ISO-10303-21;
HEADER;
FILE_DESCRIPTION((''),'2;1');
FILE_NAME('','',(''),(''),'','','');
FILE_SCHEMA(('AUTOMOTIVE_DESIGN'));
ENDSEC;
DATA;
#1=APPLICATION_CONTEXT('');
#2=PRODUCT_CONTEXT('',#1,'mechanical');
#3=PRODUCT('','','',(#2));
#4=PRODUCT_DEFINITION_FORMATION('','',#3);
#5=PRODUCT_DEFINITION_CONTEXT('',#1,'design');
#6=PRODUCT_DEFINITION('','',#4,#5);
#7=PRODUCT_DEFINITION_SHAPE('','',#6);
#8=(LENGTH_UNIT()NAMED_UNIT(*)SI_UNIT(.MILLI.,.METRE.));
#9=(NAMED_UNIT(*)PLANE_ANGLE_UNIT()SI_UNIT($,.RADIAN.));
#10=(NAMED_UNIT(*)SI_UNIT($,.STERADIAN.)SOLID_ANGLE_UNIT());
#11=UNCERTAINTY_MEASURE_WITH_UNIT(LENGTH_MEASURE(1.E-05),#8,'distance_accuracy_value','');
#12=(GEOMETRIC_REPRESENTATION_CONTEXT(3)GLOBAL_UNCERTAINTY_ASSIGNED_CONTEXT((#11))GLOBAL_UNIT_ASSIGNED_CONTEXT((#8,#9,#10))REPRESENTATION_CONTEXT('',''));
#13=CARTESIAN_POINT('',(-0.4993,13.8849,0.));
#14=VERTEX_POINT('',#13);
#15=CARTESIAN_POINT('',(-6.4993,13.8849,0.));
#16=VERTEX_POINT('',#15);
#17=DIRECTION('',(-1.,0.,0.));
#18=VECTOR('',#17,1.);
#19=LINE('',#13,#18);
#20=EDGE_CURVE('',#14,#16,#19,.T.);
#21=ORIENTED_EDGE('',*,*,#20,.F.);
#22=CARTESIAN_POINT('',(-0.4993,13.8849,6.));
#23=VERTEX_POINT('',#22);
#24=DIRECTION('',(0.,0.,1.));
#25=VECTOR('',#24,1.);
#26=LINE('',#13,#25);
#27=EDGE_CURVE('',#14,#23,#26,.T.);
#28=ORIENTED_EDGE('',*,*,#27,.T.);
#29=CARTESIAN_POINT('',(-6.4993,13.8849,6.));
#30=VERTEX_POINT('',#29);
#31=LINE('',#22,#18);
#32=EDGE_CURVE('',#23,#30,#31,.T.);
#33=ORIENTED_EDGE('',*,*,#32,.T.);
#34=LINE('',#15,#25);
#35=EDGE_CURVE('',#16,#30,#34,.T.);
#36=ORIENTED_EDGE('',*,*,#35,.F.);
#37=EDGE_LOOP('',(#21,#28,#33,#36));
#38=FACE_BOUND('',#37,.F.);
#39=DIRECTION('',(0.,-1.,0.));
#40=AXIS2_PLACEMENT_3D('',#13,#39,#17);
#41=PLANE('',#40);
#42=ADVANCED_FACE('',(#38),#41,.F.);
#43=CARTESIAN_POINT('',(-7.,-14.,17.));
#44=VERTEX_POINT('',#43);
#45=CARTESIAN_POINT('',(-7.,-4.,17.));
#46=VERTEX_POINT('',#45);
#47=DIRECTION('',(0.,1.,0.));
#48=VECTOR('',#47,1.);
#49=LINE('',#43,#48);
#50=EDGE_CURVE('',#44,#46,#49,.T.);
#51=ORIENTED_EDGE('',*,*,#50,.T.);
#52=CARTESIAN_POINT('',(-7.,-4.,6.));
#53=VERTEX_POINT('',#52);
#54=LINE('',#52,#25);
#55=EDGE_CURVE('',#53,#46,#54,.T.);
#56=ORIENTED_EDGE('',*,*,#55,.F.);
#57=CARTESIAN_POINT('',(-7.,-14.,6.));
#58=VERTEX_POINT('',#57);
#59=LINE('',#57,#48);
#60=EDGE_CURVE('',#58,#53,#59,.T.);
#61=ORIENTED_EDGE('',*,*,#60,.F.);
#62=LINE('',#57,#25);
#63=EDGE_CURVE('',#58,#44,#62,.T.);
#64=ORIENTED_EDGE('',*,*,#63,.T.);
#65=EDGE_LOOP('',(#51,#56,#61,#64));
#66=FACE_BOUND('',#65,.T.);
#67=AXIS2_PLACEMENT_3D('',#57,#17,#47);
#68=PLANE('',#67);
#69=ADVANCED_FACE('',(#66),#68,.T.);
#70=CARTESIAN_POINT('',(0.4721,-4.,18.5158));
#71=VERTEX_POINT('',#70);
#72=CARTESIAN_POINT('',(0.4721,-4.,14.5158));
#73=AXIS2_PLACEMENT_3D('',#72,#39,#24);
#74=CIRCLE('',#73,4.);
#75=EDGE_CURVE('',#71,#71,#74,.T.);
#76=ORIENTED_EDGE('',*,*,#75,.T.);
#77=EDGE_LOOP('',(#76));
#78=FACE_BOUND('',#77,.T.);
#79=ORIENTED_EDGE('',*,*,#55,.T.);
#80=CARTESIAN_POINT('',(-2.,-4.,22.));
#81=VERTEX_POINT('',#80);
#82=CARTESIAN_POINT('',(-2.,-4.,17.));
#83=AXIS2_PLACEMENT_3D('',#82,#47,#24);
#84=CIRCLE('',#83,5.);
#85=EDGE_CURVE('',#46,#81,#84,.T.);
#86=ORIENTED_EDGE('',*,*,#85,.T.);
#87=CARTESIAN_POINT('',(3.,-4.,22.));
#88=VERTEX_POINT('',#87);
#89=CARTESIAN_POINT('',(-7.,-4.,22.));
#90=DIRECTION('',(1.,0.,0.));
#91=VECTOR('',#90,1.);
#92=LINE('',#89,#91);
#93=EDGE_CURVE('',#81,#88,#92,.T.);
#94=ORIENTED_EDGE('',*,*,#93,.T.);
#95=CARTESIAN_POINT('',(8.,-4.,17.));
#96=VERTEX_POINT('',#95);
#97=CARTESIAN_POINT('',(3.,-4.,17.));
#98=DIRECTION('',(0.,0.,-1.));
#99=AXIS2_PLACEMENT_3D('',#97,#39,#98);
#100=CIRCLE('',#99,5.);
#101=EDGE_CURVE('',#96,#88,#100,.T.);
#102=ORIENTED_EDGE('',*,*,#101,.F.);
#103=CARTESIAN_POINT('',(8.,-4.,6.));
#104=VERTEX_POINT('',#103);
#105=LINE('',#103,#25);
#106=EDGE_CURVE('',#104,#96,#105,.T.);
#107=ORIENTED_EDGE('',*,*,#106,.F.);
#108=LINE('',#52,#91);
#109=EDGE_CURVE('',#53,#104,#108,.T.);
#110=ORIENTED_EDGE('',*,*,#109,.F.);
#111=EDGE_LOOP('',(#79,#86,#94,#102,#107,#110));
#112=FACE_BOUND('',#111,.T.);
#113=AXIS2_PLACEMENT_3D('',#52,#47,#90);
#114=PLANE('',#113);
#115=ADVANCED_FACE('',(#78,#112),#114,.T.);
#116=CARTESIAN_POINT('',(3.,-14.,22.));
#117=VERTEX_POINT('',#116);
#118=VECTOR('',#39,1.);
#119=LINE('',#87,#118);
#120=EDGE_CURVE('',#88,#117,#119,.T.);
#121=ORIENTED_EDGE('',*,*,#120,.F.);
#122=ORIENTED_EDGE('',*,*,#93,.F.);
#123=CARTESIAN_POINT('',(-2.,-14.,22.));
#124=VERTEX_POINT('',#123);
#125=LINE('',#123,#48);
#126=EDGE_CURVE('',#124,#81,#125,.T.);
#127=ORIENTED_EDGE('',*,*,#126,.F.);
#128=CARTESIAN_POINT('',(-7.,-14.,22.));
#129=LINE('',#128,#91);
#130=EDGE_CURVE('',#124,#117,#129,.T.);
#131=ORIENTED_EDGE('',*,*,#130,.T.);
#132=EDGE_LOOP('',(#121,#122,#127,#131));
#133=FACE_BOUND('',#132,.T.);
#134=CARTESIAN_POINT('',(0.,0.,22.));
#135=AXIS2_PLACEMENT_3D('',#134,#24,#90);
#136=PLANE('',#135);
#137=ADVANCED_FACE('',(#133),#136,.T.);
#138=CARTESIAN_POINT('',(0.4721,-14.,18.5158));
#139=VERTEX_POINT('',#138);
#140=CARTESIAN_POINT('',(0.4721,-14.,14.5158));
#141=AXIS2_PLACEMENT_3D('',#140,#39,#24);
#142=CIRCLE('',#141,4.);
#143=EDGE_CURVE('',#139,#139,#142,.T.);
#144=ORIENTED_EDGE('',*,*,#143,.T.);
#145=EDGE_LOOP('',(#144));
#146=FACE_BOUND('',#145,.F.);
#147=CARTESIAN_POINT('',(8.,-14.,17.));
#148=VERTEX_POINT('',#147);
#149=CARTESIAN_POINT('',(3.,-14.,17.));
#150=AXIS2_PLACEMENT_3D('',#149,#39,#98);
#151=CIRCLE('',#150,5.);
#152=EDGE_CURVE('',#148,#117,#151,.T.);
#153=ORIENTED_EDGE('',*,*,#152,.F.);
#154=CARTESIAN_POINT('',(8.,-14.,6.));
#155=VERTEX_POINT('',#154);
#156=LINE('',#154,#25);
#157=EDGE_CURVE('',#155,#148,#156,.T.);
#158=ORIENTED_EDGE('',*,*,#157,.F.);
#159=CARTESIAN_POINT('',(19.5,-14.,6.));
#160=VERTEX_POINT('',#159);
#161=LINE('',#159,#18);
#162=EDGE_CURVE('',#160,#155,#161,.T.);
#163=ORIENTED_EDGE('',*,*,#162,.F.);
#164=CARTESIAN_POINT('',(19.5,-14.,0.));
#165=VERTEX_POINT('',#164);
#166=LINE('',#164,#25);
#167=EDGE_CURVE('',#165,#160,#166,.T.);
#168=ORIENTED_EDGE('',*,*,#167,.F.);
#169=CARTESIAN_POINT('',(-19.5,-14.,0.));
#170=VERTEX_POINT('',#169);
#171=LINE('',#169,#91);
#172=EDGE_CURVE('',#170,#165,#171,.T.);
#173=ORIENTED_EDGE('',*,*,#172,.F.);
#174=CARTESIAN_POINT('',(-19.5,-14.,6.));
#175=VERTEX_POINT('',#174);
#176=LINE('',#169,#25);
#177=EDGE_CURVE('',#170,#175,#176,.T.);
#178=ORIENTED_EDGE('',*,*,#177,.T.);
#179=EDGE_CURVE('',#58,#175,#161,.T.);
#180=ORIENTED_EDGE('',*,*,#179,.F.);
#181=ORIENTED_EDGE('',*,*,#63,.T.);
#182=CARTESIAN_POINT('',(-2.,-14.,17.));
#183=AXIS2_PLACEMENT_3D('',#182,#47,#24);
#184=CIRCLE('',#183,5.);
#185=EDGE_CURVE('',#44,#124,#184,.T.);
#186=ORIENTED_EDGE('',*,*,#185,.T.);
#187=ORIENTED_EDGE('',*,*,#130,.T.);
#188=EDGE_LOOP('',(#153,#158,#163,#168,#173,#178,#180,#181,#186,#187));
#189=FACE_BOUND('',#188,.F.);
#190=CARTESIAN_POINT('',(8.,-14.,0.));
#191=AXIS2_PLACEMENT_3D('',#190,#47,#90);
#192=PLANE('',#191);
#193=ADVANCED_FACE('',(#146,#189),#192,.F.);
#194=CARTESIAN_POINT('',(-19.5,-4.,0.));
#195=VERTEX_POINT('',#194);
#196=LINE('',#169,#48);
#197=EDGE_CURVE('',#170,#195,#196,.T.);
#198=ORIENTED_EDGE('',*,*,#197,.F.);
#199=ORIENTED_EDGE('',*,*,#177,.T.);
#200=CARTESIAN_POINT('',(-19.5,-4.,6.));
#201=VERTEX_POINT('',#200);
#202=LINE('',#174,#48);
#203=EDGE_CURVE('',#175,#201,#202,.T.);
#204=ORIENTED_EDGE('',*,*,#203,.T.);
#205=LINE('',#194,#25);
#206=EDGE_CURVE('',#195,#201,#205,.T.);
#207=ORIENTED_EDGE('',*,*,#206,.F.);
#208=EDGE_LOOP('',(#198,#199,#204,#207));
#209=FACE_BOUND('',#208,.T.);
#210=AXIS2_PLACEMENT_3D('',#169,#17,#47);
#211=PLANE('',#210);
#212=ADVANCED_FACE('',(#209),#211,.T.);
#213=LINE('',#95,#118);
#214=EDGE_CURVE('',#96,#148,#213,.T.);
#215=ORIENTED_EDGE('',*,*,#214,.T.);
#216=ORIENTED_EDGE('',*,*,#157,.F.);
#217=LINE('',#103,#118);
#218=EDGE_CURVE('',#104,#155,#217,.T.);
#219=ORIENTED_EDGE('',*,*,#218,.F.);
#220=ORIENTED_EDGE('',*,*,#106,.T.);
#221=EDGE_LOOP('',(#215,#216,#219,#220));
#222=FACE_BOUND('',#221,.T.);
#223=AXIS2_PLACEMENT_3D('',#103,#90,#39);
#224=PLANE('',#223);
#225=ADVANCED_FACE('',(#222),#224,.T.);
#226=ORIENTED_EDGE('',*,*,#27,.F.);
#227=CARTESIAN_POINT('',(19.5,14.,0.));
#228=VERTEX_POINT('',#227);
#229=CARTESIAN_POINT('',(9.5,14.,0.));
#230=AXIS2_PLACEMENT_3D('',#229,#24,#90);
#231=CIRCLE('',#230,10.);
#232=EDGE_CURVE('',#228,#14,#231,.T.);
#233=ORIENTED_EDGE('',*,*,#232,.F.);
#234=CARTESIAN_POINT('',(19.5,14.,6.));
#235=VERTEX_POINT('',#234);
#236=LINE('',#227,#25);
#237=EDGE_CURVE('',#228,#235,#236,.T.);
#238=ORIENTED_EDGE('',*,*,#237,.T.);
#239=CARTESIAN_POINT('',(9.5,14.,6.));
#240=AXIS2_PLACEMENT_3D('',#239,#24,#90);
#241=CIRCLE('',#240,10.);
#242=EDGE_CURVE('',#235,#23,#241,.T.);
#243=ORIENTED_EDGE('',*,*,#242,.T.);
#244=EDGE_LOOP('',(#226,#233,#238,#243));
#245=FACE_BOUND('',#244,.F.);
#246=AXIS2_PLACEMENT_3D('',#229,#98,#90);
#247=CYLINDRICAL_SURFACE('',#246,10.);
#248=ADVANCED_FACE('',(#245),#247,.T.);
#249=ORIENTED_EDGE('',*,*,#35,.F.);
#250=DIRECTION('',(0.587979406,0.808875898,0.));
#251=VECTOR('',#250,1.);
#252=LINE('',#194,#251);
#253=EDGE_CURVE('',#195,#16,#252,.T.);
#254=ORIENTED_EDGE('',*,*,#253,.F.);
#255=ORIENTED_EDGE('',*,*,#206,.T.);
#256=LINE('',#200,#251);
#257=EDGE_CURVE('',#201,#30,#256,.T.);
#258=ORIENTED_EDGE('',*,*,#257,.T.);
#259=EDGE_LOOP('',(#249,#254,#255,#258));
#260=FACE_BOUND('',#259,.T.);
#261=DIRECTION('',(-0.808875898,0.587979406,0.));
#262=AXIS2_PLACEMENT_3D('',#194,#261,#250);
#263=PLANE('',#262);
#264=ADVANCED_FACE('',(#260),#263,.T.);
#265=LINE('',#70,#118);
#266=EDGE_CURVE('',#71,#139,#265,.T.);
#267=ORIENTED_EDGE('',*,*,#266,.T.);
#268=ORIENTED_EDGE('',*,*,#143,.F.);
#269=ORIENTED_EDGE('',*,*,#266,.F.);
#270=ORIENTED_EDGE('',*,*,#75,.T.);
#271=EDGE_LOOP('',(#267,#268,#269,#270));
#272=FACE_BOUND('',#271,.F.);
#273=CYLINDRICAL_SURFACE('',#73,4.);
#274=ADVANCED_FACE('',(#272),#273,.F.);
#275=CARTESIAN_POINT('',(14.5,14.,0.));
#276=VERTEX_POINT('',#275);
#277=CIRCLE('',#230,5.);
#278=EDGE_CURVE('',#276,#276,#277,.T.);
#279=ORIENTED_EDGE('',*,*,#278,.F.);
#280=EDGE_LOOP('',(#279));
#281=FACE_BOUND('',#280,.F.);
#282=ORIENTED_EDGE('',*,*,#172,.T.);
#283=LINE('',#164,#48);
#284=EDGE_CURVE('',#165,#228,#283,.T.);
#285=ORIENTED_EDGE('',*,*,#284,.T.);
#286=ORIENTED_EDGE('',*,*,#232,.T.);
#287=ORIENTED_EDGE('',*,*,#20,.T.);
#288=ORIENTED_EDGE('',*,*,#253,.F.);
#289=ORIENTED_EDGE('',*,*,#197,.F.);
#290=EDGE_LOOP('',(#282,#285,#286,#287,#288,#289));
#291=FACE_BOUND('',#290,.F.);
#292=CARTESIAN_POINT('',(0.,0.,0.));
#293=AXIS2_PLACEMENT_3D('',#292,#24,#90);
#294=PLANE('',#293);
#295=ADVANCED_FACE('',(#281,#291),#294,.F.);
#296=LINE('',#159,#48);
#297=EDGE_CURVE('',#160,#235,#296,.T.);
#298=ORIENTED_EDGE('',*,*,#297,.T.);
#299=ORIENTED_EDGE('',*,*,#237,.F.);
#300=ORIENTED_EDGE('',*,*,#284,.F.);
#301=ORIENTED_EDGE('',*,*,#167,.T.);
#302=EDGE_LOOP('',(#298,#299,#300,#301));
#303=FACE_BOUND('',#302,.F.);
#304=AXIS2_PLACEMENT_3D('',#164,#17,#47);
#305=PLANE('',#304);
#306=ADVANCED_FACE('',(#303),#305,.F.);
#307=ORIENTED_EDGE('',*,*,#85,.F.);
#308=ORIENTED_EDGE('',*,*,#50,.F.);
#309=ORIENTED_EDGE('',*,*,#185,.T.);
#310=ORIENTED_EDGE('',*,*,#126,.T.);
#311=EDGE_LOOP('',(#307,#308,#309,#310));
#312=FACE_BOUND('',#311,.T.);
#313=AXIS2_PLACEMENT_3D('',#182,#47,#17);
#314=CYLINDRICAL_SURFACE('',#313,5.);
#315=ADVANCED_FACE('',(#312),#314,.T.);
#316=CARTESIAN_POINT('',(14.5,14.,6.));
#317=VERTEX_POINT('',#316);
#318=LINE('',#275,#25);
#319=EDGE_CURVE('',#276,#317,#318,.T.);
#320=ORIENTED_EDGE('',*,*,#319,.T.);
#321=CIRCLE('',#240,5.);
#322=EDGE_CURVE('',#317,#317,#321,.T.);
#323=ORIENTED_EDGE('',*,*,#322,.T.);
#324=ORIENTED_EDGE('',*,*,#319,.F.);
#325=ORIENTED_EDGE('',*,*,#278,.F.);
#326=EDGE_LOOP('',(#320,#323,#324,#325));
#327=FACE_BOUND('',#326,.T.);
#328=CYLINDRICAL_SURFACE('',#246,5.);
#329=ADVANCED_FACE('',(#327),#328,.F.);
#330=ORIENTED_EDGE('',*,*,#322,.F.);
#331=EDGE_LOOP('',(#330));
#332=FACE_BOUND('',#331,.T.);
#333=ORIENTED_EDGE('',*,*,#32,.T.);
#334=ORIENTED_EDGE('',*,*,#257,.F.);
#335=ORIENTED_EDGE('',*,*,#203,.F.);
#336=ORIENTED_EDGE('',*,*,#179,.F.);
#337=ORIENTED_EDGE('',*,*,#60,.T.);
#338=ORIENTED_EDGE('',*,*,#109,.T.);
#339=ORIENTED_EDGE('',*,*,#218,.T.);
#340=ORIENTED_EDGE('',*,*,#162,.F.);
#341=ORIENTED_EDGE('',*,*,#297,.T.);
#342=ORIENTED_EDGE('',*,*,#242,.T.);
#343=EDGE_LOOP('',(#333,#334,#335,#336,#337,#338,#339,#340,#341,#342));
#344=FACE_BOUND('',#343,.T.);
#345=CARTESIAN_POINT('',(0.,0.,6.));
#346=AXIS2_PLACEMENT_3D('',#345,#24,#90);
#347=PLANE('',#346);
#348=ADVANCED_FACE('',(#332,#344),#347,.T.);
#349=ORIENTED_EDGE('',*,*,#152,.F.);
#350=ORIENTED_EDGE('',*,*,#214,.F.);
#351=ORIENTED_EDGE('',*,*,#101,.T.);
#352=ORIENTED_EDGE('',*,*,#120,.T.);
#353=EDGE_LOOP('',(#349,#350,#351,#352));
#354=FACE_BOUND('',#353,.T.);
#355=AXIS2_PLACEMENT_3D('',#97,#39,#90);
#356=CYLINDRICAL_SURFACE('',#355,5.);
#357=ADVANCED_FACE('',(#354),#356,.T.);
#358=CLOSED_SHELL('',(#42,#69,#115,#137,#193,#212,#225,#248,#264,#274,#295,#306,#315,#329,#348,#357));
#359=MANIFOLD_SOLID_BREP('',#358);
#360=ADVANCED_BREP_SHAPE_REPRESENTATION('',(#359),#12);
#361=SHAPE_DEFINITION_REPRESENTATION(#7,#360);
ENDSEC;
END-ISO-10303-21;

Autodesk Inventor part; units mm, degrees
ref_plane "YZ Plane" through (0, 0, 0) normal (1, 0, 0) x (0, 1, 0)
ref_plane "XZ Plane" through (0, 0, 0) normal (0, 1, 0) x (-1, 0, 0)
ref_plane "XY Plane" through (0, 0, 0) normal (0, 0, 1) x (1, 0, 0)
sketch "Esboço1" plane through (0, 0, 0) normal (0, 0, 1) x (1, 0, 0)
  line L0 (19.5, -14) -> (19.5, 14)
  line L1 (-19.5, -14) -> (19.5, 14) construction
  line L2 (19.5, -14) -> (-19.5, 14) construction
  circle A0 centre (9.5, 14) radius 10
  circle A1 centre (9.5, 14) radius 5
  line L3 (-19.5, -14) -> (-19.5, -4)
  line L4 (-0.4993, 13.8849) -> (-6.4993, 13.8849)
  line L5 (-19.5, -4) -> (-6.4993, 13.8849)
  line L6 (-19.5, -14) -> (-7, -14)
  line L7 (-7, -14) -> (-7, -4)
  line L8 (-7, -4) -> (8, -4)
  line L9 (8, -4) -> (8, -14)
  line L10 (8, -14) -> (19.5, -14)
  line L11 (-7, -14) -> (8, -14)
  point P0 (0, 0)
  dimension "d0" = 28
  dimension "d2" = 20
  dimension "d3" = 10
  dimension "d5" = 10
  dimension "d6" = 6
  dimension "d8" = 12.5
  dimension "d9" = 15
  dimension "d10" = 10
  dimension "d11" = 10
  dimension "d12" = 15
  dimension "d13" = 11.5
  dimension "d14" = 22.1107
extrude "Extrusão1" add sketch "Esboço1" along normal blind 6
sketch "Esboço2" plane through (0, 0, 6) normal (0, 0, 1) x (1, 0, 0)
  line L0 (-7, -14) -> (-7, -4)
  line L1 (-7, -4) -> (8, -4)
  line L2 (8, -4) -> (8, -14)
  line L3 (-19.5, -4) -> (-19.5, -14) projected
  line L4 (-19.5, -14) -> (-7, -14)
  line L5 (-7, -14) -> (8, -14)
  line L6 (8, -14) -> (18.5, -14)
  point P0 (0, 0)
  dimension "d17" = 90
  dimension "d18" = 10
  dimension "d19" = 15
  dimension "d20" = 12.5
  dimension "d21" = 10.5
  dimension "d22" = 15
extrude "Extrusão2" add sketch "Esboço2" along normal blind 16
sketch "Esboço3" plane through (-7, -4, 6) normal (0, 1, 0) x (1, 0, 0)
  circle A0 centre (7.4721, -8.5158) radius 4
  point P0 (7, 6)
  dimension "d25" = 8
fillet "Arredondamento1" radius 5 2 edges at (8, -9, 22) (-7, -9, 22)
hole "Furo1" at (0.4721, -4, 14.5158) direction (0, -1, 0) diameter 8 end through all
properties part number "Prova1"
